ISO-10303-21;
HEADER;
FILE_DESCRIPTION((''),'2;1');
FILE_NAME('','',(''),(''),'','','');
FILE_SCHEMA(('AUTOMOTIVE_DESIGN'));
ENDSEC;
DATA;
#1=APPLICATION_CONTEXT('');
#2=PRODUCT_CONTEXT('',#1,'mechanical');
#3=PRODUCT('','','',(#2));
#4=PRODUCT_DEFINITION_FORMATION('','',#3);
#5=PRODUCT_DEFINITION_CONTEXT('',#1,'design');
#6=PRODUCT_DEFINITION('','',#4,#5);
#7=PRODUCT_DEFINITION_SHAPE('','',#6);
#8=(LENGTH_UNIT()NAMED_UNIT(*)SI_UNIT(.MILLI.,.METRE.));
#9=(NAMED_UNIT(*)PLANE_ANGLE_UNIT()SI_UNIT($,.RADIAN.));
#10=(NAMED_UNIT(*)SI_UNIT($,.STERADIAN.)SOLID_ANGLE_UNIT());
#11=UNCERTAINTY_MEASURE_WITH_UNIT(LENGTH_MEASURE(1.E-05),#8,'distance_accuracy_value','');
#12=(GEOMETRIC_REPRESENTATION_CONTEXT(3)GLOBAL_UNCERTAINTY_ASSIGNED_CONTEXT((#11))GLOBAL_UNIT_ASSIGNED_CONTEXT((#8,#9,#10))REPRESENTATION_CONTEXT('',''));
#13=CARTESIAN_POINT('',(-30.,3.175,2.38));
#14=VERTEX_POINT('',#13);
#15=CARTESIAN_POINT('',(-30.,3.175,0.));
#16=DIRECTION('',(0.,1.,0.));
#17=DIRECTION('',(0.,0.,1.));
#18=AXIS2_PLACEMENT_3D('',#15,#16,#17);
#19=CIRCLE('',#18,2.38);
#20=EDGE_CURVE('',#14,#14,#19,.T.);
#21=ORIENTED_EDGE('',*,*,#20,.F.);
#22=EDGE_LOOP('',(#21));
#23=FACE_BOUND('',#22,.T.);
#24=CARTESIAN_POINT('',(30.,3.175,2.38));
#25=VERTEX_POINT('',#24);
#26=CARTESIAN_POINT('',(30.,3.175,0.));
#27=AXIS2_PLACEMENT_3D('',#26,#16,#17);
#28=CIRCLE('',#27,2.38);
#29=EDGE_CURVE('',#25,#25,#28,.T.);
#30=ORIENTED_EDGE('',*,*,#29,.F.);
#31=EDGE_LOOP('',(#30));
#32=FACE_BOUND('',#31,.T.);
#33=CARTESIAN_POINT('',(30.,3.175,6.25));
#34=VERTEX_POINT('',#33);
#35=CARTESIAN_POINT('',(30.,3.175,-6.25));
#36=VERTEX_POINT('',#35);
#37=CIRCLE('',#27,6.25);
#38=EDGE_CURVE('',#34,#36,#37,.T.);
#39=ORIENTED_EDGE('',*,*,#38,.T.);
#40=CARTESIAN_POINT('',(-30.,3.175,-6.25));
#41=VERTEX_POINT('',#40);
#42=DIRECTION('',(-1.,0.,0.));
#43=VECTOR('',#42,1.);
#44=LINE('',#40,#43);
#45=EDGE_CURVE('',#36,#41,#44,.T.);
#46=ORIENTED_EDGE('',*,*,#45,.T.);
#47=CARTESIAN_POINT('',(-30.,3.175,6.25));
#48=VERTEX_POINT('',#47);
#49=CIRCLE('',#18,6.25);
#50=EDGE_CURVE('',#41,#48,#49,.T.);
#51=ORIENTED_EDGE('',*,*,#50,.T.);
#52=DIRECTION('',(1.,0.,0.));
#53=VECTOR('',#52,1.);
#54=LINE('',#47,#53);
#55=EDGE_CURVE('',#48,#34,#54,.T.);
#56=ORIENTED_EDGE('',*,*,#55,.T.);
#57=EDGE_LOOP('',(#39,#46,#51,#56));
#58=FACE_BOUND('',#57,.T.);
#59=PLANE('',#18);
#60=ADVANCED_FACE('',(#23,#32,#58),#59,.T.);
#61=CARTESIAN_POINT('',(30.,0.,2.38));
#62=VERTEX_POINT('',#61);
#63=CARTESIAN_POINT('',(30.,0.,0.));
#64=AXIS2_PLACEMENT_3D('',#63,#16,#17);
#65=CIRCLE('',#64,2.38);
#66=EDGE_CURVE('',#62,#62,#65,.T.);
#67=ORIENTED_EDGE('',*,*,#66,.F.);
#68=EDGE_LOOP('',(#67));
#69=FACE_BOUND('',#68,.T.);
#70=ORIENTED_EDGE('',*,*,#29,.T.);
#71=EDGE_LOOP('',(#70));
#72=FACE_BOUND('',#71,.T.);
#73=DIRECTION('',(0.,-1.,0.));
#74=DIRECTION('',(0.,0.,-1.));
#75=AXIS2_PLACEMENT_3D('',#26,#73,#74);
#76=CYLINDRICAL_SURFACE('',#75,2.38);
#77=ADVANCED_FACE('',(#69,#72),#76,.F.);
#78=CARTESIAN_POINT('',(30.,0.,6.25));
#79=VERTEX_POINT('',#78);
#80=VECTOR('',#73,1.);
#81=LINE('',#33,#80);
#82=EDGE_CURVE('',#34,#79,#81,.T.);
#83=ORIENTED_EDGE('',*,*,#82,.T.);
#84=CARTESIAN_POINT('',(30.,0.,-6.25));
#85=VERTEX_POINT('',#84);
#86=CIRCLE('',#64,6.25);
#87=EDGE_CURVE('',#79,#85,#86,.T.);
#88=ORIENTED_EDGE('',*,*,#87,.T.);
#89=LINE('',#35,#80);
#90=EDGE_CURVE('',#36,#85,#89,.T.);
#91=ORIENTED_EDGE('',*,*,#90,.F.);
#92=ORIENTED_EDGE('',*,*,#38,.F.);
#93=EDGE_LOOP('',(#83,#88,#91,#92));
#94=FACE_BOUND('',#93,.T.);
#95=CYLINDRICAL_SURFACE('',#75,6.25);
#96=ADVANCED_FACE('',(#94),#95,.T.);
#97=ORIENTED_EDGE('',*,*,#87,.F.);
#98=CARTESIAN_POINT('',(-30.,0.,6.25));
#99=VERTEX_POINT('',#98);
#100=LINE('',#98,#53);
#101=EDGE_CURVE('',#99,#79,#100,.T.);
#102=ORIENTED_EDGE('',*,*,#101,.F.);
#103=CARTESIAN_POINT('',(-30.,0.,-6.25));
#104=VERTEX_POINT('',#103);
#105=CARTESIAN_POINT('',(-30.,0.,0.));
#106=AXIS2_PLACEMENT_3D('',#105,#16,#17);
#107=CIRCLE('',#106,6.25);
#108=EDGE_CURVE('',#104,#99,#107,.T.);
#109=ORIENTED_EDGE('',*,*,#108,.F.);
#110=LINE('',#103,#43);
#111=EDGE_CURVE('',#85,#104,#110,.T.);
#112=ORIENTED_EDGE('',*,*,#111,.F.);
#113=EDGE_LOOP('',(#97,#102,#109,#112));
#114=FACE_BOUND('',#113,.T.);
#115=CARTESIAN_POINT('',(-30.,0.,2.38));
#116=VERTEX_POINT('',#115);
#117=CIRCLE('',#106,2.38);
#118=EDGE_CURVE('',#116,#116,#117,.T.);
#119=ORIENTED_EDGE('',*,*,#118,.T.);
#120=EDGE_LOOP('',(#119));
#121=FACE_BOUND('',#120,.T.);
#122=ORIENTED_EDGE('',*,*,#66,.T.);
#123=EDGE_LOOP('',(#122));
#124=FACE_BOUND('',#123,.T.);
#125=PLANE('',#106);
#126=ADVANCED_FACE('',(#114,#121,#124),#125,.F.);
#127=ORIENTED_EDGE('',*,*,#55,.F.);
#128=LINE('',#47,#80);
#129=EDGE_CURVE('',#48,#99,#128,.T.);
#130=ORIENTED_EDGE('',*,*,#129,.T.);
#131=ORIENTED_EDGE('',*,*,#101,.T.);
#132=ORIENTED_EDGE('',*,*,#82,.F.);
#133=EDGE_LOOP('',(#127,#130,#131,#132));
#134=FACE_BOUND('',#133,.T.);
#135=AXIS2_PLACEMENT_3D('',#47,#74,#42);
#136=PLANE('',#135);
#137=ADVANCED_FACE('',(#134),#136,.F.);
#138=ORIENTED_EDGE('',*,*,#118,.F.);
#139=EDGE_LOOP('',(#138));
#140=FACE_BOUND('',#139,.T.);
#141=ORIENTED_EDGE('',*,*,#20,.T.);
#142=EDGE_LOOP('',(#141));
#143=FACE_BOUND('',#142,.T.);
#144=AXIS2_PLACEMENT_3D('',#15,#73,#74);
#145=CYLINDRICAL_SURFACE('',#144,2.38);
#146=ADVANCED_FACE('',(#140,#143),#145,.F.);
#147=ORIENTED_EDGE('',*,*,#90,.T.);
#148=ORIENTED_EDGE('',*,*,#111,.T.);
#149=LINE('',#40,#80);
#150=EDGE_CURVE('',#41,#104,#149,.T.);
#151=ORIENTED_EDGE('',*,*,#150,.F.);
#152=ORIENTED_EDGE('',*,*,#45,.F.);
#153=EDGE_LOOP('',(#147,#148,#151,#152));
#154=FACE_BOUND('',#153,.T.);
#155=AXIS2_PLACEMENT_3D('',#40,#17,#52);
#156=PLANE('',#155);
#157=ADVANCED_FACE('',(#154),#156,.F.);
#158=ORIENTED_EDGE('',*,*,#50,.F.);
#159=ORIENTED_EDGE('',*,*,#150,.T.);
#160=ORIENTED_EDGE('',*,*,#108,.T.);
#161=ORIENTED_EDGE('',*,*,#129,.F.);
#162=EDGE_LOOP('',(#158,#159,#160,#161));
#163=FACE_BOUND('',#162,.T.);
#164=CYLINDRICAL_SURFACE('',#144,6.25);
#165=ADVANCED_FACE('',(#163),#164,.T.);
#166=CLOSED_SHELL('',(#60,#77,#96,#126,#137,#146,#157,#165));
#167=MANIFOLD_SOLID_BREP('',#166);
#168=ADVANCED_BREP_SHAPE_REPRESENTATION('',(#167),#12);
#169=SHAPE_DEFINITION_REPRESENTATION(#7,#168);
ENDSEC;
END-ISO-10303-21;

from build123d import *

# Parameters (mm, degrees)
SKETCH1_R           = 2.38
BOSS_EXTRUDE1_DEPTH = 3.175


with BuildPart() as part:
    # Sketch1 → Boss-Extrude1 (new body)
    with BuildSketch(Plane(origin=(0, 0, 0), x_dir=(1, 0, 0), z_dir=(0, 1, 0))):
        with BuildLine():
            Line((-30, 6.25), (30, 6.25))
            ThreePointArc((30, 6.25), (36.25, 0), (30, -6.25))
            Line((30, -6.25), (-30, -6.25))
            ThreePointArc((-30, -6.25), (-36.25, 0), (-30, 6.25))
        make_face()
        with Locations(Location((-30, 0, 0), (0, 0, 270))):
            Circle(SKETCH1_R, mode=Mode.SUBTRACT)
        with Locations(Location((30, 0, 0), (0, 0, 270))):
            Circle(SKETCH1_R, mode=Mode.SUBTRACT)
    extrude(amount=BOSS_EXTRUDE1_DEPTH)


solid = part.part
